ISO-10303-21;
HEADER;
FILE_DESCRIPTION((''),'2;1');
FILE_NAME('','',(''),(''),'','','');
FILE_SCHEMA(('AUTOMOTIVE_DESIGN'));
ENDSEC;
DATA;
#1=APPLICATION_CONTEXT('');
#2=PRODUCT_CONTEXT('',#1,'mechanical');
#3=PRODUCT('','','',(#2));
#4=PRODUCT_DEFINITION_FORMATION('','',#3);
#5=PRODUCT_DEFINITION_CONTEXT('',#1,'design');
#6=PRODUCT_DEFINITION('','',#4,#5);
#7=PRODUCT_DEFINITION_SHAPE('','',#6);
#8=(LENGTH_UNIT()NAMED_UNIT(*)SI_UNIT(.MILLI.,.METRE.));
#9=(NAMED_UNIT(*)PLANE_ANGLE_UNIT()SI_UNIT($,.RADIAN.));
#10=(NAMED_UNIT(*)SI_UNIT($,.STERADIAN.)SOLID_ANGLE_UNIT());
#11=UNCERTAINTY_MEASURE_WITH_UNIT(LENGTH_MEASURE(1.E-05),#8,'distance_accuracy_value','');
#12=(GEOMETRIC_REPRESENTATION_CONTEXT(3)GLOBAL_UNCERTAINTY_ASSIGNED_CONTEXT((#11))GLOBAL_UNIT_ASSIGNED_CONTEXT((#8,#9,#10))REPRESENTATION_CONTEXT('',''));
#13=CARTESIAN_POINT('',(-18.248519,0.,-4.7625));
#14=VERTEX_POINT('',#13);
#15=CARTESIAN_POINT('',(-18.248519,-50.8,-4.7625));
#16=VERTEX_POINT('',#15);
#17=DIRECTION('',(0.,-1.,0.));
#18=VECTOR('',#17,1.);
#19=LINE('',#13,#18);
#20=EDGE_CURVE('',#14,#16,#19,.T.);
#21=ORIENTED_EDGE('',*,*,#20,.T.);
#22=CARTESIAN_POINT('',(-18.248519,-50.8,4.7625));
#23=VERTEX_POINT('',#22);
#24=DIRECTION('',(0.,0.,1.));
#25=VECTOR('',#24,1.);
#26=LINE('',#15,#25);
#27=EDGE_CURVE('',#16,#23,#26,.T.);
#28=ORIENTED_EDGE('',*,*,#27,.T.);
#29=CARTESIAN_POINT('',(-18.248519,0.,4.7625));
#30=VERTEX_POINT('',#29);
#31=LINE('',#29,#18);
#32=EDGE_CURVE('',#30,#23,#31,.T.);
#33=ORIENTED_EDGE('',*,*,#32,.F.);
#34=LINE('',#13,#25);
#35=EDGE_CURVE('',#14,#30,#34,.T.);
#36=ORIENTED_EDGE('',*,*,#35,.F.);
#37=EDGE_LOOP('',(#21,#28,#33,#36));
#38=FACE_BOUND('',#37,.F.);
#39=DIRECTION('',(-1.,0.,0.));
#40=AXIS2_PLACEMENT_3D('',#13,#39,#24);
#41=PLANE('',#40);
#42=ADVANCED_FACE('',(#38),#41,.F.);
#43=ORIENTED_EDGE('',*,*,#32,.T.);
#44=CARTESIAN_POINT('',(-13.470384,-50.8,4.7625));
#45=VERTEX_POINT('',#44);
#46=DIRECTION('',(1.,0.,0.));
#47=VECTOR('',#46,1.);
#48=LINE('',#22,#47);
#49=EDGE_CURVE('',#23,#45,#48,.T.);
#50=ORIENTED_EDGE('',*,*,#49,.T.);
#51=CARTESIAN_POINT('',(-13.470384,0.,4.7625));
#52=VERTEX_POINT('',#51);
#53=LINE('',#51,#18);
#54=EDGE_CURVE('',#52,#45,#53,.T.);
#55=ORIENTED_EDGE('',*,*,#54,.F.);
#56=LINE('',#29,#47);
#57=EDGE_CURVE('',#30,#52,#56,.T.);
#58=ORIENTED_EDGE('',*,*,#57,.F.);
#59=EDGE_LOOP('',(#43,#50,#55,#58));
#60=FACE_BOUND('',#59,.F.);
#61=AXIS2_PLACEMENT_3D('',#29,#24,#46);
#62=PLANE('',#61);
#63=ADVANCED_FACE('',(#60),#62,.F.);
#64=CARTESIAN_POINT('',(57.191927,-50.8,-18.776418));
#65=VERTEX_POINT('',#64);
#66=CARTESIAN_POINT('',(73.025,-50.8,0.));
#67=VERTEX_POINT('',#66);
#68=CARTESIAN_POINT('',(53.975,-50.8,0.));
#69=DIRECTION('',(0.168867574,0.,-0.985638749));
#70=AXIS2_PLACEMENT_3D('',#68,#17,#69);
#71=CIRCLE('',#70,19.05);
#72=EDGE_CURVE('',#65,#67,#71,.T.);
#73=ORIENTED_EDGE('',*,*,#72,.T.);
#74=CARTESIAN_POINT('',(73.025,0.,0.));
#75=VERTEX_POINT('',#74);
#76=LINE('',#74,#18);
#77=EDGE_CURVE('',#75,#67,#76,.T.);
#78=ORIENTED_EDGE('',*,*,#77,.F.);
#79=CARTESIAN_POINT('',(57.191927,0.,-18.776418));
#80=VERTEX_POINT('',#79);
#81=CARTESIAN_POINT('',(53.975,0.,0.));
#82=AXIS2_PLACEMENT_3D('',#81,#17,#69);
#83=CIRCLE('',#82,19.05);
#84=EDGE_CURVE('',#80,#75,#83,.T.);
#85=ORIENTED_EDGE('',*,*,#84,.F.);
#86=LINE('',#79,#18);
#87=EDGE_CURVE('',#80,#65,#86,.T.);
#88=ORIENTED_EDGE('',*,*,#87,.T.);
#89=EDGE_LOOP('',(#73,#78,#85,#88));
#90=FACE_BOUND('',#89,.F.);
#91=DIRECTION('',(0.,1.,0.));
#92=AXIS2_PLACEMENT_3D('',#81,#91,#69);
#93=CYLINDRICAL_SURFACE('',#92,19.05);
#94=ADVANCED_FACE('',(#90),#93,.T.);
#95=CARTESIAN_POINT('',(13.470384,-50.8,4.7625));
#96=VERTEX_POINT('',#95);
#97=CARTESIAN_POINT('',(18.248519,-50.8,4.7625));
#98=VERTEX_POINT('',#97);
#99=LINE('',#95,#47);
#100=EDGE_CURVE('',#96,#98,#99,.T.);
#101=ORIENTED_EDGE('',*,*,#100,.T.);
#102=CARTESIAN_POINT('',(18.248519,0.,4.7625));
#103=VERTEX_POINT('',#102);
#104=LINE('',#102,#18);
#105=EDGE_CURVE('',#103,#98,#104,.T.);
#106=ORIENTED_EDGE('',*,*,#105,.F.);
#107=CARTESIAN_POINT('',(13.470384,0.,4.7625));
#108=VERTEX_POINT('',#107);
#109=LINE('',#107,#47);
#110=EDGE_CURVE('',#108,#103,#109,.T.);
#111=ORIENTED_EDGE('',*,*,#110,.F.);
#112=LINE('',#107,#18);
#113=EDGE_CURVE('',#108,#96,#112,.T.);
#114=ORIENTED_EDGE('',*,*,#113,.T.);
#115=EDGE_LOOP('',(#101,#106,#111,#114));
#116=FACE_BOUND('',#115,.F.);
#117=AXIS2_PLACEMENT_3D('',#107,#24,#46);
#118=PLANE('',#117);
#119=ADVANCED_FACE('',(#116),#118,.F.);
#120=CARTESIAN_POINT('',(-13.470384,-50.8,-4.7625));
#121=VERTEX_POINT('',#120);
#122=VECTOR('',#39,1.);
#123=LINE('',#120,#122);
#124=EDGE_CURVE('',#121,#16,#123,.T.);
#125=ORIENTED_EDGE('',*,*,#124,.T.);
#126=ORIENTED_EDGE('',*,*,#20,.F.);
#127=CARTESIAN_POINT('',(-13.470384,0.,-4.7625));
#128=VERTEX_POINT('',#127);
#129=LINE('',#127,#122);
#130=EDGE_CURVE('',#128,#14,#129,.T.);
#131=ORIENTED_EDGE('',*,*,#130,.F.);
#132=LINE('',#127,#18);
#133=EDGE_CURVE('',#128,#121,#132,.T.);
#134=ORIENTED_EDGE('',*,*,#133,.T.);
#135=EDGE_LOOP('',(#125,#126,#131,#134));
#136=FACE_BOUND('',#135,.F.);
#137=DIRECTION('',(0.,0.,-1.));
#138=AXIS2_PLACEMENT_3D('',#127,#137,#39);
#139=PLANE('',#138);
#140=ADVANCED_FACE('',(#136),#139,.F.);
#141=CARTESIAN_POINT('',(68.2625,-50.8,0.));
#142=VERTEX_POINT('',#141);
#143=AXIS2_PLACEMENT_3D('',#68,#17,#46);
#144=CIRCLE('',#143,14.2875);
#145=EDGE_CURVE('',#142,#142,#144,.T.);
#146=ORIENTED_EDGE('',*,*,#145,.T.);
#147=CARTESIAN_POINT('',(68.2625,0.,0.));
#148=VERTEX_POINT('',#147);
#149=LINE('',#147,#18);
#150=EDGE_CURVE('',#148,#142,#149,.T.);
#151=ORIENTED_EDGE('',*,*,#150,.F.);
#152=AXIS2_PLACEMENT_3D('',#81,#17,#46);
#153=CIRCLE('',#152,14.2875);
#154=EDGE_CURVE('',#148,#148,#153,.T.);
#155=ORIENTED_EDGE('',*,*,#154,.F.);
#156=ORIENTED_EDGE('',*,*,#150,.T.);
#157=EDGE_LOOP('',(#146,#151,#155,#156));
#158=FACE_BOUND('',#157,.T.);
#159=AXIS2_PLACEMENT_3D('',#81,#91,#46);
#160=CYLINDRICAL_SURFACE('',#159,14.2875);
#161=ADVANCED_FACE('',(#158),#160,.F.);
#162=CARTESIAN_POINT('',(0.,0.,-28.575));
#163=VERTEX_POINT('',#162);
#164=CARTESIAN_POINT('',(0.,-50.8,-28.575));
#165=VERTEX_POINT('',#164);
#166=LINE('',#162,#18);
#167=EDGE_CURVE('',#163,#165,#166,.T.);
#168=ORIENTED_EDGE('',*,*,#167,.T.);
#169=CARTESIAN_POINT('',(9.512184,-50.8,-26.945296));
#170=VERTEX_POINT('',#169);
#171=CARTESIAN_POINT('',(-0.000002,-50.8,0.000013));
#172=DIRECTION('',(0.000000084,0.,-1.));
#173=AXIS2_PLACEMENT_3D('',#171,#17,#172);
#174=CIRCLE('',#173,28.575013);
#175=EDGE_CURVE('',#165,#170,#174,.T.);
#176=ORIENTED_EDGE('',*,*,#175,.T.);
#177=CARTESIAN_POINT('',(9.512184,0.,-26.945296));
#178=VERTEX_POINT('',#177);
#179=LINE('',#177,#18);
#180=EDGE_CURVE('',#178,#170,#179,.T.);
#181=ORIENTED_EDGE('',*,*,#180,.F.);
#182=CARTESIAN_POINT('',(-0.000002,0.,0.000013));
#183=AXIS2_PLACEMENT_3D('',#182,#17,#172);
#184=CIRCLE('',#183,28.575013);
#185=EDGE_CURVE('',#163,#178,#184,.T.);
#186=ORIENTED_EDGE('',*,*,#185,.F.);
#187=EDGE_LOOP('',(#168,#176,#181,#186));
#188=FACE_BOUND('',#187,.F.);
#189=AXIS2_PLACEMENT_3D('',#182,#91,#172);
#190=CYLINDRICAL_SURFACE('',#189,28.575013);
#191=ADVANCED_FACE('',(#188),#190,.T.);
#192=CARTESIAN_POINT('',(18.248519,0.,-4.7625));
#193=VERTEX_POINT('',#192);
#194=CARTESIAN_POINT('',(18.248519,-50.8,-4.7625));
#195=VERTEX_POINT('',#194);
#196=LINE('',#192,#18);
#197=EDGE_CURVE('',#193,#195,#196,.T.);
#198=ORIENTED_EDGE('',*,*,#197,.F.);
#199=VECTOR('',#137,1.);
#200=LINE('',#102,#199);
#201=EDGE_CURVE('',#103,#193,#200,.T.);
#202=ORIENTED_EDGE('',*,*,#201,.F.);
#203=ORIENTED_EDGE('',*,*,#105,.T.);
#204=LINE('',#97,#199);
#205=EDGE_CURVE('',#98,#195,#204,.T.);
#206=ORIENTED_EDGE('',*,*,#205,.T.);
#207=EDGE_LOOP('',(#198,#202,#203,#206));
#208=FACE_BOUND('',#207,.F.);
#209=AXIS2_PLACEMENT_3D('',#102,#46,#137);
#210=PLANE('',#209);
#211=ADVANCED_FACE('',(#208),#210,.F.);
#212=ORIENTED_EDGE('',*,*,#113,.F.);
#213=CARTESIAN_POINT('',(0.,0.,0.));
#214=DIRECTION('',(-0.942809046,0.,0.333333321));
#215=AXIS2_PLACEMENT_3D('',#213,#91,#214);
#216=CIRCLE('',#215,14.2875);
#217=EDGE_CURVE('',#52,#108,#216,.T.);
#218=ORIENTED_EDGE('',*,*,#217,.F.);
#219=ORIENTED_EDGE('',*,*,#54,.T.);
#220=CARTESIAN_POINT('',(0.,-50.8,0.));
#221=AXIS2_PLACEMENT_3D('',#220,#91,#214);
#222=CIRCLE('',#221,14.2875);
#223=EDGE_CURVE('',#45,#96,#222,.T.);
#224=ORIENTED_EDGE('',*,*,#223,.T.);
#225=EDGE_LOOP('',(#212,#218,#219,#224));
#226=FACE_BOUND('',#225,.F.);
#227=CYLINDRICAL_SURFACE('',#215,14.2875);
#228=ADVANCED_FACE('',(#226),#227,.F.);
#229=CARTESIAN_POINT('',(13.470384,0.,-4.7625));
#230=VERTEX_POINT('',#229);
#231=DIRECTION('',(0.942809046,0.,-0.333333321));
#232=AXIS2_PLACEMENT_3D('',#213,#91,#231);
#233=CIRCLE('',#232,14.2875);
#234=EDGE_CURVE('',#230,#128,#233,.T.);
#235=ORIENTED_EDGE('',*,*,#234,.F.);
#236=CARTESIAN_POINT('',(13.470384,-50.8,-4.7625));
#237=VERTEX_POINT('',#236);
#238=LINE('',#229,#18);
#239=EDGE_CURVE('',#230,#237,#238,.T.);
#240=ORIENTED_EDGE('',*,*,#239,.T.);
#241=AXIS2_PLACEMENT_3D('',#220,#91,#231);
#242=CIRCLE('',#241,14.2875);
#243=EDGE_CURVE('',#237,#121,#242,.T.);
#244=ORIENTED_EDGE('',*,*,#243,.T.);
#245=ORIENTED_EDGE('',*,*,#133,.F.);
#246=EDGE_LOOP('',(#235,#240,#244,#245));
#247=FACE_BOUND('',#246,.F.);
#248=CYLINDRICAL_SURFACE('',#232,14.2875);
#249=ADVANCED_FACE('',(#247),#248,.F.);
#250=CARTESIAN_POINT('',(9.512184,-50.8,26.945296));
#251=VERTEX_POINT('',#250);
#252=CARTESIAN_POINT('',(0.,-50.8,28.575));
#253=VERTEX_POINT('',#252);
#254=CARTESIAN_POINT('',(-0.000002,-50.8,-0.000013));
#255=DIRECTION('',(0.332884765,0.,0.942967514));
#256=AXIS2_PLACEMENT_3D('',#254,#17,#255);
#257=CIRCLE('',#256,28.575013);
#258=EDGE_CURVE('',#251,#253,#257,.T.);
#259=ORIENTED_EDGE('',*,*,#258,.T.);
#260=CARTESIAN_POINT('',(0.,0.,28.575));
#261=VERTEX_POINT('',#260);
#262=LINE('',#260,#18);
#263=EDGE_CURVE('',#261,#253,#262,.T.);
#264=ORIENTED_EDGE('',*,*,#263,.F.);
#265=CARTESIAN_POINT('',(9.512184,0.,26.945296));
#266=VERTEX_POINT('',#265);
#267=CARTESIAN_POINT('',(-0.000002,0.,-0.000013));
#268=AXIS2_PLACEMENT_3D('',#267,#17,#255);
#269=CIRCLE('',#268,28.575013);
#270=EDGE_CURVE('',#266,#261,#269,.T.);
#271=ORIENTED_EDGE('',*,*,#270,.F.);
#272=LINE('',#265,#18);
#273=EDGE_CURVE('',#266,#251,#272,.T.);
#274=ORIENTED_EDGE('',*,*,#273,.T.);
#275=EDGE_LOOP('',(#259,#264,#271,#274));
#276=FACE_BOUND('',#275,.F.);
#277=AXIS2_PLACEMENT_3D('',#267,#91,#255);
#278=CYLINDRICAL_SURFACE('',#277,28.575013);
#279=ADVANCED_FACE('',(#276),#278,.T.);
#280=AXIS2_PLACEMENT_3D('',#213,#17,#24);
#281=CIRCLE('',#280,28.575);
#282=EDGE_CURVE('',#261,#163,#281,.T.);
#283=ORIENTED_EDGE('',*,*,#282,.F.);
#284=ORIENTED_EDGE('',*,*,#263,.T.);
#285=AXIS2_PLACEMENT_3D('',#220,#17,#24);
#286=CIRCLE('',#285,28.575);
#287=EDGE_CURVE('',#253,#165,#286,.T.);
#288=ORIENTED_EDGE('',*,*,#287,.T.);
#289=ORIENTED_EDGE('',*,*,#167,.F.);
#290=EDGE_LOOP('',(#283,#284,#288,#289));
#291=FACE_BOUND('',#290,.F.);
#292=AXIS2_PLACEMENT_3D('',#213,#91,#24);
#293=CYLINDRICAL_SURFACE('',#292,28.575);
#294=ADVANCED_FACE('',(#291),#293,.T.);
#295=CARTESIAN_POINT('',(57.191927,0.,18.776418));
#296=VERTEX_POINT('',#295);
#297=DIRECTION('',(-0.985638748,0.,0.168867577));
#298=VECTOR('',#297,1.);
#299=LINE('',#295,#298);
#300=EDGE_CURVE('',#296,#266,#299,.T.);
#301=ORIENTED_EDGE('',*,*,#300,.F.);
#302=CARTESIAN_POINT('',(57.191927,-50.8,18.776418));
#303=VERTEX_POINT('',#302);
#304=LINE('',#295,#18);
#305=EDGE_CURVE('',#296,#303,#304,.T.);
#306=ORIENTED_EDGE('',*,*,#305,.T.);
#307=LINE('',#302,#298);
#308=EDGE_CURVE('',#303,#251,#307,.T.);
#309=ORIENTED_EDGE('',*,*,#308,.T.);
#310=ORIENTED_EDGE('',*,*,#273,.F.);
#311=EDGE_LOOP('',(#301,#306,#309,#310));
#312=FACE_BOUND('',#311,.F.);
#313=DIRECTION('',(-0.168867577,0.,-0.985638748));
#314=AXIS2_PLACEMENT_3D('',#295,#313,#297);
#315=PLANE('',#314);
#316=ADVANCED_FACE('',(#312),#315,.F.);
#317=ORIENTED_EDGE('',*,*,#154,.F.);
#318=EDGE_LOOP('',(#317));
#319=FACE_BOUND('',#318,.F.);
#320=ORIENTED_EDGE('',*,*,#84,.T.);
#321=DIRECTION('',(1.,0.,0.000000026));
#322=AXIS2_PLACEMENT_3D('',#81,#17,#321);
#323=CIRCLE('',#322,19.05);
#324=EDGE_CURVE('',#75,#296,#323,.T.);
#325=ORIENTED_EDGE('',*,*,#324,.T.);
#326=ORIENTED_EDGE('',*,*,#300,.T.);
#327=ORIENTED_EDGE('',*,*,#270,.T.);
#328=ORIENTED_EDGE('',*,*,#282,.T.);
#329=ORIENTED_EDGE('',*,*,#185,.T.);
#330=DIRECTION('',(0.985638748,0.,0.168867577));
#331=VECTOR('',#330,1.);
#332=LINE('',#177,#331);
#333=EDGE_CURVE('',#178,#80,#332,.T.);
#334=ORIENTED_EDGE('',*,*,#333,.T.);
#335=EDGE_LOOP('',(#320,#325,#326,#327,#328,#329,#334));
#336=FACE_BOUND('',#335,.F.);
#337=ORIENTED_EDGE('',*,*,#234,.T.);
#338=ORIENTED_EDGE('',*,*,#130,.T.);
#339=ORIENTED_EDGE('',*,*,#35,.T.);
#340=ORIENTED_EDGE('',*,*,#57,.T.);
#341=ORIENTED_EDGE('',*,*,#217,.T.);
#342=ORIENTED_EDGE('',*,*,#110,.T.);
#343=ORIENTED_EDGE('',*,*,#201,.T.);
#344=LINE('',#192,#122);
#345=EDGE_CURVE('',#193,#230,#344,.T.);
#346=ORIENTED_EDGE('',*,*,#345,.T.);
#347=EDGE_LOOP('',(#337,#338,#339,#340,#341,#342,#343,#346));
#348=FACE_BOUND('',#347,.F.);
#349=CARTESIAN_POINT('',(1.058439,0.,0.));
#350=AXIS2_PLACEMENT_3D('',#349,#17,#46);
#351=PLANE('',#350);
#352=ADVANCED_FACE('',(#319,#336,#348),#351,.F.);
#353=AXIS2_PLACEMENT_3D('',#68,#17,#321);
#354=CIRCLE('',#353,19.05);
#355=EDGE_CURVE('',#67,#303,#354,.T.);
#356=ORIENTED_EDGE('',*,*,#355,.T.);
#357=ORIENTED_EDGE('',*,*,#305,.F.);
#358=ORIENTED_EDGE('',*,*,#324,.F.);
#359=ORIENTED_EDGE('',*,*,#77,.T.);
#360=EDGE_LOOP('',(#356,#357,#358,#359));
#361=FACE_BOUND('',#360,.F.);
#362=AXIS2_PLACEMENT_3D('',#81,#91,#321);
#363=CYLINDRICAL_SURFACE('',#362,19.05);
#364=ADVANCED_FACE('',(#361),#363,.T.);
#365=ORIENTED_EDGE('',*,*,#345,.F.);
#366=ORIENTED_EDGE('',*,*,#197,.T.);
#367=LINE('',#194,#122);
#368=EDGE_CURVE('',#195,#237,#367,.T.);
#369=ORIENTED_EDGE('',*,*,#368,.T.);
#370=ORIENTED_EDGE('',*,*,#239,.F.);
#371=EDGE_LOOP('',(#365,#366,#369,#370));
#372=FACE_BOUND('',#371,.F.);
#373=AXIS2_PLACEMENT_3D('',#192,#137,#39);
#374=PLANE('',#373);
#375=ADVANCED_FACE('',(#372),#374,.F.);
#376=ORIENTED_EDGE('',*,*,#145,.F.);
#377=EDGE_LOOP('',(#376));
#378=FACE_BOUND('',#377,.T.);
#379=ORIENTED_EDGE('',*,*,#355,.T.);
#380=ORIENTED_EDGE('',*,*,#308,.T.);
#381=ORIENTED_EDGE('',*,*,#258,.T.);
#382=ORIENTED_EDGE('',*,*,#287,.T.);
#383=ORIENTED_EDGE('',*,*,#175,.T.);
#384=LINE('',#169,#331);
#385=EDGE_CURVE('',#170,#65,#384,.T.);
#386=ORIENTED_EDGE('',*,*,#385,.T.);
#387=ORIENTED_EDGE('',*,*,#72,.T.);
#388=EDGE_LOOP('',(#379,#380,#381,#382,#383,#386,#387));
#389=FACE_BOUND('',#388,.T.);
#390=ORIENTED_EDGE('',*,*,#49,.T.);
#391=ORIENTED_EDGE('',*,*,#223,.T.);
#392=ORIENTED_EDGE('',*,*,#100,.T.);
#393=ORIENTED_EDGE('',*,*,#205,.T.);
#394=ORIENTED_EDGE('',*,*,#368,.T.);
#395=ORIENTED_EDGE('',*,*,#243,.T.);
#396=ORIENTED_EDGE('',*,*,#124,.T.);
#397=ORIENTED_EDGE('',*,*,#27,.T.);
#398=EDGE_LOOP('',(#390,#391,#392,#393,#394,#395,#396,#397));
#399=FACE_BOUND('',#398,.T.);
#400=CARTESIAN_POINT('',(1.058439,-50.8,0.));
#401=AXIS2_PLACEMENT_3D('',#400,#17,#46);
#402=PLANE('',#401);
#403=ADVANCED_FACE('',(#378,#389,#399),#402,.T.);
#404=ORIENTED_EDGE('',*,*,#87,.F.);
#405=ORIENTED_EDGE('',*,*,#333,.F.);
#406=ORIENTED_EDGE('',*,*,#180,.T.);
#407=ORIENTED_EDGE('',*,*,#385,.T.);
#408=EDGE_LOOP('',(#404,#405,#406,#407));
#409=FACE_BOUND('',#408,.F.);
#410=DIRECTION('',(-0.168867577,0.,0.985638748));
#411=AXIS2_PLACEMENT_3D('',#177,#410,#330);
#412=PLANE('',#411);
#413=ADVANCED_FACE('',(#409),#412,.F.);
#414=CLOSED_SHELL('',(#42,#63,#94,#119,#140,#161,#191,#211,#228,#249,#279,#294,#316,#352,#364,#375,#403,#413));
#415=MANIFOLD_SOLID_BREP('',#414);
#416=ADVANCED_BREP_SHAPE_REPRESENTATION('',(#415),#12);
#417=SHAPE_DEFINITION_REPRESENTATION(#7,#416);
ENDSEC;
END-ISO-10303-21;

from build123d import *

# Parameters (mm, degrees)
F0_R     = 14.2875
F1_DEPTH = 50.8


with BuildPart() as f1:
    # F0 (on Front) → F1 (new body)
    with BuildSketch(Plane.XZ):
        with BuildLine():
            Line((9.512184, 26.945296), (0, 28.575))
            ThreePointArc((0, 28.575), (-28.575, 0), (0, -28.575))
            Line((0, -28.575), (9.512184, -26.945296))
            ThreePointArc((9.512184, -26.945296), (23.327466, -16.503332), (28.575, 0))
            ThreePointArc((28.575, 0), (23.327466, 16.503332), (9.512184, 26.945296))
        make_face()
        with BuildLine():
            ThreePointArc((-13.470384, 4.7625), (0, 14.2875), (13.470384, 4.7625))
            Line((13.470384, 4.7625), (18.248519, 4.7625))
            Line((18.248519, 4.7625), (18.248519, -4.7625))
            Line((18.248519, -4.7625), (13.470384, -4.7625))
            ThreePointArc((13.470384, -4.7625), (0, -14.2875), (-13.470384, -4.7625))
            Line((-13.470384, -4.7625), (-18.248519, -4.7625))
            Line((-18.248519, -4.7625), (-18.248519, 4.7625))
            Line((-18.248519, 4.7625), (-13.470384, 4.7625))
        make_face(mode=Mode.SUBTRACT)
        with BuildLine():
            ThreePointArc((9.512184, 26.945296), (4.825391, 28.164627), (0, 28.575))
            Line((0, 28.575), (9.512184, 26.945296))
        make_face()
        with BuildLine():
            Line((9.512184, -26.945296), (0, -28.575))
            ThreePointArc((0, -28.575), (4.825391, -28.164627), (9.512184, -26.945296))
        make_face()
        with BuildLine():
            Line((57.191927, 18.776418), (9.512184, 26.945296))
            ThreePointArc((9.512184, 26.945296), (23.327466, 16.503332), (28.575, 0))
            ThreePointArc((28.575, 0), (23.327466, -16.503332), (9.512184, -26.945296))
            Line((9.512184, -26.945296), (57.191927, -18.776418))
            ThreePointArc((57.191927, -18.776418), (34.925, 0), (57.191927, 18.776418))
        make_face()
        with BuildLine():
            ThreePointArc((73.025, 0), (68.538395, 12.280473), (57.191927, 18.776418))
            ThreePointArc((57.191927, 18.776418), (34.925, 0), (57.191927, -18.776418))
            ThreePointArc((57.191927, -18.776418), (68.538395, -12.280473), (73.025, 0))
        make_face()
        with Locations((53.975, 0)):
            Circle(F0_R, mode=Mode.SUBTRACT)
    extrude(amount=F1_DEPTH)


solid = f1.part
